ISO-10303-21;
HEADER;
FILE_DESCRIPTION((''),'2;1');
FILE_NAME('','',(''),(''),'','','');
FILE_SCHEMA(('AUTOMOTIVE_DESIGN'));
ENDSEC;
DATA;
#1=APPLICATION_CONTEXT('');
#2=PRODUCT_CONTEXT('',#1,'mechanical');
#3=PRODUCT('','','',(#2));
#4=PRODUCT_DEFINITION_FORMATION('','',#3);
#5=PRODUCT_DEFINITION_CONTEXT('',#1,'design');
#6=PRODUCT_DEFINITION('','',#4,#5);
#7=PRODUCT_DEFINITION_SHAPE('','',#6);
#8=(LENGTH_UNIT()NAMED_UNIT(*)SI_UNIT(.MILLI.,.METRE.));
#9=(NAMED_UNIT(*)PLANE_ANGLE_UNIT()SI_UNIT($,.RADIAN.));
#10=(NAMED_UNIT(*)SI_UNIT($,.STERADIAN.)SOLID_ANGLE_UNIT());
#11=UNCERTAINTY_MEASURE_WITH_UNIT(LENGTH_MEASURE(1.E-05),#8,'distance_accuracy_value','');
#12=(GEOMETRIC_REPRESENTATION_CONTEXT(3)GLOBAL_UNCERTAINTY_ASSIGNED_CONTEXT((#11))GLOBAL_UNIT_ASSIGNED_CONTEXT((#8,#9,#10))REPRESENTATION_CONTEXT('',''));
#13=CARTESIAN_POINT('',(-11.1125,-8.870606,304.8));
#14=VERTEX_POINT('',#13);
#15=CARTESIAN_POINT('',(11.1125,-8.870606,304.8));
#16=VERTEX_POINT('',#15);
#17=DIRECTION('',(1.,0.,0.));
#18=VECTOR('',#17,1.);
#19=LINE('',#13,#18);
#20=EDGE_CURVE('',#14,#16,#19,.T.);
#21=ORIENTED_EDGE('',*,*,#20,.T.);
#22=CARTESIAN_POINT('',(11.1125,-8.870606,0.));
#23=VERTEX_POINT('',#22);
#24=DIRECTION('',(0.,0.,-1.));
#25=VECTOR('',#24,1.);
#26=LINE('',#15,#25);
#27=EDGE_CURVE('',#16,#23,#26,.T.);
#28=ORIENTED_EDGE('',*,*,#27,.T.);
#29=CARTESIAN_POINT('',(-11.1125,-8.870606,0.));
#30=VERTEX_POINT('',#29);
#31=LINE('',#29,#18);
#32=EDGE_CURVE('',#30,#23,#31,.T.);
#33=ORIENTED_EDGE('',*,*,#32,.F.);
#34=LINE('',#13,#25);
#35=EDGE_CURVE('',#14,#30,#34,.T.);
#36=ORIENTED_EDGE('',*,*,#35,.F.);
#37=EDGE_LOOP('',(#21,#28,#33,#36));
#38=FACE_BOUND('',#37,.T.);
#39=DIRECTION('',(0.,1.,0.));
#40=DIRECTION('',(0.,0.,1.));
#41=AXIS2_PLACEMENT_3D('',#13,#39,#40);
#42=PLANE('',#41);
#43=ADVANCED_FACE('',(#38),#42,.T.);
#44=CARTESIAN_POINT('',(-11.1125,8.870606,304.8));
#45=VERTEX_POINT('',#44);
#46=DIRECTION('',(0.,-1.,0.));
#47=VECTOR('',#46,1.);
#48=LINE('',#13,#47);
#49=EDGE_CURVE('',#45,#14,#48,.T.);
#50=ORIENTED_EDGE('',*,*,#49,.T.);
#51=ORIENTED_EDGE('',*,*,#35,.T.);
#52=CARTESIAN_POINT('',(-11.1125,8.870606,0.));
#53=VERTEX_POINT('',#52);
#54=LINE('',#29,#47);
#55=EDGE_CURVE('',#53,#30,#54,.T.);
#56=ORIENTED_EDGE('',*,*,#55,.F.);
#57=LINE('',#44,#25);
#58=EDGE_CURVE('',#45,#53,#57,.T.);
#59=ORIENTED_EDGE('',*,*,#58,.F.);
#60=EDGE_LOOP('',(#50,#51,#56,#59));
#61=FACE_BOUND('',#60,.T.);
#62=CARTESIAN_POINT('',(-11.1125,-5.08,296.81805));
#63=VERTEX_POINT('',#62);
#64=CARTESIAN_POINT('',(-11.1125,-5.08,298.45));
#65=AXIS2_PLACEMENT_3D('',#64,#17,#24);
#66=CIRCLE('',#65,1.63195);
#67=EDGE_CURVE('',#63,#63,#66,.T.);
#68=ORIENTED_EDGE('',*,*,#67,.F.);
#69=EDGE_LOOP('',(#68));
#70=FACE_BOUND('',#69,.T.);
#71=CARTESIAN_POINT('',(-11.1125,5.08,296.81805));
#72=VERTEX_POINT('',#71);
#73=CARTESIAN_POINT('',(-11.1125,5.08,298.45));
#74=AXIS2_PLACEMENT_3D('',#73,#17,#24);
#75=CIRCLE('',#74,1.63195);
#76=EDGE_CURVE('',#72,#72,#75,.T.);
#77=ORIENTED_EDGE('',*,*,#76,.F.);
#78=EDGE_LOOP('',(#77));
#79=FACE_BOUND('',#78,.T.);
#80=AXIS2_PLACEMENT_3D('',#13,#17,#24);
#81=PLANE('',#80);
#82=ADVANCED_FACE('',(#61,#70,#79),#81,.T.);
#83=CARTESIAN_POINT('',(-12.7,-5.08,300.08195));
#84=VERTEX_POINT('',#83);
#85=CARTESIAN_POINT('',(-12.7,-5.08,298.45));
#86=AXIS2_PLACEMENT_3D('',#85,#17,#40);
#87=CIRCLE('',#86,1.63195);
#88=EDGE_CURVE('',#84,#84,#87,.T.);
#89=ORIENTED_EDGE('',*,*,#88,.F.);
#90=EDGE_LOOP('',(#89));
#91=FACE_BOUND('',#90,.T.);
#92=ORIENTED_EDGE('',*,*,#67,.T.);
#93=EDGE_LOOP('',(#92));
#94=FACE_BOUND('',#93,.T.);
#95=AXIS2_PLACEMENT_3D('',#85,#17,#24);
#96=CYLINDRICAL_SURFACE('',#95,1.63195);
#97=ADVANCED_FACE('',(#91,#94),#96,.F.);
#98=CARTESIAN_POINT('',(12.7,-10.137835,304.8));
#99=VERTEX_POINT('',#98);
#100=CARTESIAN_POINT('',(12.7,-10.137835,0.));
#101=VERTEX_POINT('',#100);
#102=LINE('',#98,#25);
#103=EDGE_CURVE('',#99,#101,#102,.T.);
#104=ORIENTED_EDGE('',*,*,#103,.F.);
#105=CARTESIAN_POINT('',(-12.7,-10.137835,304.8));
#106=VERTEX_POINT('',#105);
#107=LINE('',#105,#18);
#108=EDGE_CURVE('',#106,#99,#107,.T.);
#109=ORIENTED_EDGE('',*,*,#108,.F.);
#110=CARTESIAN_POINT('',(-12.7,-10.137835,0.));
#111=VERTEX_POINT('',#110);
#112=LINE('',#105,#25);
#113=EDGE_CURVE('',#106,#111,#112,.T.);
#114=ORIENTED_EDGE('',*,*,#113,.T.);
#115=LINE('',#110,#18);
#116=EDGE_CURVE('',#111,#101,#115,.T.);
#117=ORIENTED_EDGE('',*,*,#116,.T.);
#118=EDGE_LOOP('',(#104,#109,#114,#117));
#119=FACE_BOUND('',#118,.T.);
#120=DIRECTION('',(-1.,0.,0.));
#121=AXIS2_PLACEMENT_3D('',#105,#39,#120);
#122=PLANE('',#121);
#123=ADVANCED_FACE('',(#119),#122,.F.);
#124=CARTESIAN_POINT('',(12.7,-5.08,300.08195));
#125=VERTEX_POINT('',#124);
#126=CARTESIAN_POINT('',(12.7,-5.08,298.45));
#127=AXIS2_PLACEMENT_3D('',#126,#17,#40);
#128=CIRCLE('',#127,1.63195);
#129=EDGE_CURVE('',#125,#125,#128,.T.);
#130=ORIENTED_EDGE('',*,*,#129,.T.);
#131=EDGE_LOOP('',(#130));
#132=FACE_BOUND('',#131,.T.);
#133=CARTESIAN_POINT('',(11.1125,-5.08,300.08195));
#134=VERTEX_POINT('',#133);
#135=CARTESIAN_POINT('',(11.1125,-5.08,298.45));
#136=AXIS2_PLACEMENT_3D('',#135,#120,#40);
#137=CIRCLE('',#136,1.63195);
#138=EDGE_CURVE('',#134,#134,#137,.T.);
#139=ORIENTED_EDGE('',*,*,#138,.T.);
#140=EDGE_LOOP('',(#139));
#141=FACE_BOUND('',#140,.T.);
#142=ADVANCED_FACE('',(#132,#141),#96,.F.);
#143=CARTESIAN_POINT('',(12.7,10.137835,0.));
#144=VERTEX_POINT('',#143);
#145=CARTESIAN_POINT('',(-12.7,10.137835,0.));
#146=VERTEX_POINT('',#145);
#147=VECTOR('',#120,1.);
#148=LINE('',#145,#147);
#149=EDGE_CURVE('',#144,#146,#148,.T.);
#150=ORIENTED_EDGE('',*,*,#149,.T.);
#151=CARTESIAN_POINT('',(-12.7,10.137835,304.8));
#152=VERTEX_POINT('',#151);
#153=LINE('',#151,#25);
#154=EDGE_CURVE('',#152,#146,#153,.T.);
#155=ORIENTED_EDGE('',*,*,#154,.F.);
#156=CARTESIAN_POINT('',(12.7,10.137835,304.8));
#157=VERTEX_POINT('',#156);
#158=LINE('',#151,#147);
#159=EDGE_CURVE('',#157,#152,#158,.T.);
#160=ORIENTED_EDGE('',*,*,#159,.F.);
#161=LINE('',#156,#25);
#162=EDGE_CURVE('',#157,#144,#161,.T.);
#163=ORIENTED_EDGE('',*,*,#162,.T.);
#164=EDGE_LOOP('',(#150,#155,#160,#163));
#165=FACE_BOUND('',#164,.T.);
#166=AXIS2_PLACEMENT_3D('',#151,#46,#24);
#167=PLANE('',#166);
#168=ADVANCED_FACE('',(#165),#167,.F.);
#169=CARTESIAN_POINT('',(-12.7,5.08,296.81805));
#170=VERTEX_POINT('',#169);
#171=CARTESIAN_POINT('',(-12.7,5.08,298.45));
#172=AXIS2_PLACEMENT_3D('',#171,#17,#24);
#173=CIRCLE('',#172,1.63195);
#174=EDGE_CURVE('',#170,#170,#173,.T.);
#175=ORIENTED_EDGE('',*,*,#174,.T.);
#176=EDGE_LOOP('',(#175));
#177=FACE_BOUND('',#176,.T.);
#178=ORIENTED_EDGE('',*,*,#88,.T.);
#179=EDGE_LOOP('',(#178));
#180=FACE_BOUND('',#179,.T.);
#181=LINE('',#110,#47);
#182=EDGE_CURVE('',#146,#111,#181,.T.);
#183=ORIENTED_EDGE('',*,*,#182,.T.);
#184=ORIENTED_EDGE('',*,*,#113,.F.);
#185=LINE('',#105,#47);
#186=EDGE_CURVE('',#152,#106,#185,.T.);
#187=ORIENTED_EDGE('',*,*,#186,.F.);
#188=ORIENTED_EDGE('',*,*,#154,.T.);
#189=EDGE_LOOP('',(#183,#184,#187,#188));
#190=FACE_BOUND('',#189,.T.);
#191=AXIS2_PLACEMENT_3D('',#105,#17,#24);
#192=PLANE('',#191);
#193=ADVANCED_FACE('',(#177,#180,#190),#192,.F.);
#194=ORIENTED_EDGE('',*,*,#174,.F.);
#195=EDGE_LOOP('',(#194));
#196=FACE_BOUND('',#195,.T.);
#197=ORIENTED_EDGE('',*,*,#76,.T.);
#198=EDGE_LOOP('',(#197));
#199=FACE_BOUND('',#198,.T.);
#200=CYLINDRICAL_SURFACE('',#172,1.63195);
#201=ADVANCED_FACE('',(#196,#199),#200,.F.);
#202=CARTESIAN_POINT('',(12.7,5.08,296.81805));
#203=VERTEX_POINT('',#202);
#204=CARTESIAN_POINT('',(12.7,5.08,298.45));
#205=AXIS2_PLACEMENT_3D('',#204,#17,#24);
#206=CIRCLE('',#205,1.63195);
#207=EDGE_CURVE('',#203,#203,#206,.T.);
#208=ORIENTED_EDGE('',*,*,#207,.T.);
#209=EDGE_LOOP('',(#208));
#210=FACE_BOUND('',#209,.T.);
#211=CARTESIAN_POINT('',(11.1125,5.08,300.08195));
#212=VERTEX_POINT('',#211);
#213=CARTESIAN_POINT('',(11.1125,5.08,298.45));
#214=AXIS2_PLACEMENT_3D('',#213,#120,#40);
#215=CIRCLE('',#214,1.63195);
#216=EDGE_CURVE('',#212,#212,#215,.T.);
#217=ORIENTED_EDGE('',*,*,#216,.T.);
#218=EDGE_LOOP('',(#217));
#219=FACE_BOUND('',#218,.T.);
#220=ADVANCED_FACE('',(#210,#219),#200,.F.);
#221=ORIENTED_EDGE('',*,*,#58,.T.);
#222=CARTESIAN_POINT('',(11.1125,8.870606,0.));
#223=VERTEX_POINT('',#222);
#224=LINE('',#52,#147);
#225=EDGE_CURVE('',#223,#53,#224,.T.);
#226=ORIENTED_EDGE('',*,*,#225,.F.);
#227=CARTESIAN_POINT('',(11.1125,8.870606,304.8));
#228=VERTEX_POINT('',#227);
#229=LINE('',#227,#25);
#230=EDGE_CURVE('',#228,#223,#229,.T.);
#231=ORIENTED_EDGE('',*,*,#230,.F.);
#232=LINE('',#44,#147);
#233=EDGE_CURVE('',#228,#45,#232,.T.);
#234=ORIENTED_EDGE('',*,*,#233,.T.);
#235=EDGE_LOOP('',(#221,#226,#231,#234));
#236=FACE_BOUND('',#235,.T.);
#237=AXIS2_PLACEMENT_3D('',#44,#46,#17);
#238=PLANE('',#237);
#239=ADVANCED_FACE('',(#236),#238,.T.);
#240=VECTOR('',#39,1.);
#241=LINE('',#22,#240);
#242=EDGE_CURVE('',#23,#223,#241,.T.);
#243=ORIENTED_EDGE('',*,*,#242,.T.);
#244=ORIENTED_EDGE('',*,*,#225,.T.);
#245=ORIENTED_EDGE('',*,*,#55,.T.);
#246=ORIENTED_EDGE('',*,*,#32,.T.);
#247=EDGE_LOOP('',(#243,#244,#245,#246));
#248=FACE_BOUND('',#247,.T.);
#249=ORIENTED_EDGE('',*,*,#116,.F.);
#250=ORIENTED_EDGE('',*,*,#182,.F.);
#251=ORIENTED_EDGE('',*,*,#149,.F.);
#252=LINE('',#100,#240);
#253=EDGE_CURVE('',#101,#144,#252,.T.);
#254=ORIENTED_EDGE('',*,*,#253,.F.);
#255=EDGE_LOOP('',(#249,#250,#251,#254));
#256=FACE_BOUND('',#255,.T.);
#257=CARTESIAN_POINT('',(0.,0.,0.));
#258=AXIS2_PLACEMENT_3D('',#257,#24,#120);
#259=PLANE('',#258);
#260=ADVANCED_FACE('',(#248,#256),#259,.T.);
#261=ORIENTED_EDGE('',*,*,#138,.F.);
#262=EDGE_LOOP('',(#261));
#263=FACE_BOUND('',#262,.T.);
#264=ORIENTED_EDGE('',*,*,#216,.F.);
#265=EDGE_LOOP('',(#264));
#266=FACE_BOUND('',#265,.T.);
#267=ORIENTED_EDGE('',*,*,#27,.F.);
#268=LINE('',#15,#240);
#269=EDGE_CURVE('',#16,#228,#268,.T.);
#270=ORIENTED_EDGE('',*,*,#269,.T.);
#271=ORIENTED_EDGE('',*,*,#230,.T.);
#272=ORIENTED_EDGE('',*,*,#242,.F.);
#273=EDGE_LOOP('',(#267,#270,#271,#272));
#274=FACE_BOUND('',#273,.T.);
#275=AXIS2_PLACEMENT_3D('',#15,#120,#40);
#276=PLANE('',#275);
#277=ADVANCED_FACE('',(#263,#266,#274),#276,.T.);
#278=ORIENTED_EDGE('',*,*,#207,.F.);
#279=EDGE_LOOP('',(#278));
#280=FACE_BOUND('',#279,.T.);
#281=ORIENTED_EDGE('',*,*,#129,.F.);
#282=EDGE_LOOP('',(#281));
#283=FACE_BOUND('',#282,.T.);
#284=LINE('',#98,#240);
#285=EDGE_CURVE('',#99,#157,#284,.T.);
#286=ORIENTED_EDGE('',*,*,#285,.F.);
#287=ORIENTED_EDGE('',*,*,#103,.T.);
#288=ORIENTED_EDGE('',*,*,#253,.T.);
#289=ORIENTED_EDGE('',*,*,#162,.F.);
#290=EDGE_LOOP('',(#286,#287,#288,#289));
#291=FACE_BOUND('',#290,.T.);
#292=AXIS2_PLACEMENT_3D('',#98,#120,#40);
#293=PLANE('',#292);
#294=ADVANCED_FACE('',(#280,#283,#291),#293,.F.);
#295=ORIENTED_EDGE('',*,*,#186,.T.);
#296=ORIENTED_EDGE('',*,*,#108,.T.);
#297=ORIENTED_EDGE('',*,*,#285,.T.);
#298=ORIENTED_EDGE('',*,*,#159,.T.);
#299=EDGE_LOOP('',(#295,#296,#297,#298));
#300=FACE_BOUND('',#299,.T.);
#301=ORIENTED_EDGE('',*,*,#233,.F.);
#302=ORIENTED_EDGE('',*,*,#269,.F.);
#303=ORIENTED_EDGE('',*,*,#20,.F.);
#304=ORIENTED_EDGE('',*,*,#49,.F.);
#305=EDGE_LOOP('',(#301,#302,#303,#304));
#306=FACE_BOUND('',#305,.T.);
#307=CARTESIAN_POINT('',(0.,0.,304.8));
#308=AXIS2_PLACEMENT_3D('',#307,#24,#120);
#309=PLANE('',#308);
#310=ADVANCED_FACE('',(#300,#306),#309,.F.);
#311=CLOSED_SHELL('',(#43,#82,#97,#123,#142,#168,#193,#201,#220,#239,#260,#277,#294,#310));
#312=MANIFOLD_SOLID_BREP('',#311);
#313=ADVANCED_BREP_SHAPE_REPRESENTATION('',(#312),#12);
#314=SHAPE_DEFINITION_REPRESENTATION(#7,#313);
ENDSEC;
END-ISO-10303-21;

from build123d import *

# Parameters (mm, degrees)
SKETCH1_W           = 25.4
SKETCH1_H           = 20.275670742
SKETCH1_W_2         = 22.225
SKETCH1_H_2         = 17.7412119
BOSS_EXTRUDE2_DEPTH = 304.8
SKETCH2_R           = 1.63195
CUT_EXTRUDE1_DEPTH  = 307.02446913


with BuildPart() as part:
    # Sketch1 → Boss-Extrude2 (new body)
    with BuildSketch(Plane.XY):
        Rectangle(SKETCH1_W, SKETCH1_H)
        Rectangle(SKETCH1_W_2, SKETCH1_H_2, mode=Mode.SUBTRACT)
    extrude(amount=BOSS_EXTRUDE2_DEPTH)

    # Sketch2 → Cut-Extrude1 (cut, through all)
    with BuildSketch(Plane(origin=(12.7, 0, 0), x_dir=(0, 0, -1), z_dir=(1, 0, 0))):
        with Locations((-298.45, -5.08)):
            Circle(SKETCH2_R)
        with Locations((-298.45, 5.08)):
            Circle(SKETCH2_R)
    extrude(amount=-CUT_EXTRUDE1_DEPTH, mode=Mode.SUBTRACT)


solid = part.part
